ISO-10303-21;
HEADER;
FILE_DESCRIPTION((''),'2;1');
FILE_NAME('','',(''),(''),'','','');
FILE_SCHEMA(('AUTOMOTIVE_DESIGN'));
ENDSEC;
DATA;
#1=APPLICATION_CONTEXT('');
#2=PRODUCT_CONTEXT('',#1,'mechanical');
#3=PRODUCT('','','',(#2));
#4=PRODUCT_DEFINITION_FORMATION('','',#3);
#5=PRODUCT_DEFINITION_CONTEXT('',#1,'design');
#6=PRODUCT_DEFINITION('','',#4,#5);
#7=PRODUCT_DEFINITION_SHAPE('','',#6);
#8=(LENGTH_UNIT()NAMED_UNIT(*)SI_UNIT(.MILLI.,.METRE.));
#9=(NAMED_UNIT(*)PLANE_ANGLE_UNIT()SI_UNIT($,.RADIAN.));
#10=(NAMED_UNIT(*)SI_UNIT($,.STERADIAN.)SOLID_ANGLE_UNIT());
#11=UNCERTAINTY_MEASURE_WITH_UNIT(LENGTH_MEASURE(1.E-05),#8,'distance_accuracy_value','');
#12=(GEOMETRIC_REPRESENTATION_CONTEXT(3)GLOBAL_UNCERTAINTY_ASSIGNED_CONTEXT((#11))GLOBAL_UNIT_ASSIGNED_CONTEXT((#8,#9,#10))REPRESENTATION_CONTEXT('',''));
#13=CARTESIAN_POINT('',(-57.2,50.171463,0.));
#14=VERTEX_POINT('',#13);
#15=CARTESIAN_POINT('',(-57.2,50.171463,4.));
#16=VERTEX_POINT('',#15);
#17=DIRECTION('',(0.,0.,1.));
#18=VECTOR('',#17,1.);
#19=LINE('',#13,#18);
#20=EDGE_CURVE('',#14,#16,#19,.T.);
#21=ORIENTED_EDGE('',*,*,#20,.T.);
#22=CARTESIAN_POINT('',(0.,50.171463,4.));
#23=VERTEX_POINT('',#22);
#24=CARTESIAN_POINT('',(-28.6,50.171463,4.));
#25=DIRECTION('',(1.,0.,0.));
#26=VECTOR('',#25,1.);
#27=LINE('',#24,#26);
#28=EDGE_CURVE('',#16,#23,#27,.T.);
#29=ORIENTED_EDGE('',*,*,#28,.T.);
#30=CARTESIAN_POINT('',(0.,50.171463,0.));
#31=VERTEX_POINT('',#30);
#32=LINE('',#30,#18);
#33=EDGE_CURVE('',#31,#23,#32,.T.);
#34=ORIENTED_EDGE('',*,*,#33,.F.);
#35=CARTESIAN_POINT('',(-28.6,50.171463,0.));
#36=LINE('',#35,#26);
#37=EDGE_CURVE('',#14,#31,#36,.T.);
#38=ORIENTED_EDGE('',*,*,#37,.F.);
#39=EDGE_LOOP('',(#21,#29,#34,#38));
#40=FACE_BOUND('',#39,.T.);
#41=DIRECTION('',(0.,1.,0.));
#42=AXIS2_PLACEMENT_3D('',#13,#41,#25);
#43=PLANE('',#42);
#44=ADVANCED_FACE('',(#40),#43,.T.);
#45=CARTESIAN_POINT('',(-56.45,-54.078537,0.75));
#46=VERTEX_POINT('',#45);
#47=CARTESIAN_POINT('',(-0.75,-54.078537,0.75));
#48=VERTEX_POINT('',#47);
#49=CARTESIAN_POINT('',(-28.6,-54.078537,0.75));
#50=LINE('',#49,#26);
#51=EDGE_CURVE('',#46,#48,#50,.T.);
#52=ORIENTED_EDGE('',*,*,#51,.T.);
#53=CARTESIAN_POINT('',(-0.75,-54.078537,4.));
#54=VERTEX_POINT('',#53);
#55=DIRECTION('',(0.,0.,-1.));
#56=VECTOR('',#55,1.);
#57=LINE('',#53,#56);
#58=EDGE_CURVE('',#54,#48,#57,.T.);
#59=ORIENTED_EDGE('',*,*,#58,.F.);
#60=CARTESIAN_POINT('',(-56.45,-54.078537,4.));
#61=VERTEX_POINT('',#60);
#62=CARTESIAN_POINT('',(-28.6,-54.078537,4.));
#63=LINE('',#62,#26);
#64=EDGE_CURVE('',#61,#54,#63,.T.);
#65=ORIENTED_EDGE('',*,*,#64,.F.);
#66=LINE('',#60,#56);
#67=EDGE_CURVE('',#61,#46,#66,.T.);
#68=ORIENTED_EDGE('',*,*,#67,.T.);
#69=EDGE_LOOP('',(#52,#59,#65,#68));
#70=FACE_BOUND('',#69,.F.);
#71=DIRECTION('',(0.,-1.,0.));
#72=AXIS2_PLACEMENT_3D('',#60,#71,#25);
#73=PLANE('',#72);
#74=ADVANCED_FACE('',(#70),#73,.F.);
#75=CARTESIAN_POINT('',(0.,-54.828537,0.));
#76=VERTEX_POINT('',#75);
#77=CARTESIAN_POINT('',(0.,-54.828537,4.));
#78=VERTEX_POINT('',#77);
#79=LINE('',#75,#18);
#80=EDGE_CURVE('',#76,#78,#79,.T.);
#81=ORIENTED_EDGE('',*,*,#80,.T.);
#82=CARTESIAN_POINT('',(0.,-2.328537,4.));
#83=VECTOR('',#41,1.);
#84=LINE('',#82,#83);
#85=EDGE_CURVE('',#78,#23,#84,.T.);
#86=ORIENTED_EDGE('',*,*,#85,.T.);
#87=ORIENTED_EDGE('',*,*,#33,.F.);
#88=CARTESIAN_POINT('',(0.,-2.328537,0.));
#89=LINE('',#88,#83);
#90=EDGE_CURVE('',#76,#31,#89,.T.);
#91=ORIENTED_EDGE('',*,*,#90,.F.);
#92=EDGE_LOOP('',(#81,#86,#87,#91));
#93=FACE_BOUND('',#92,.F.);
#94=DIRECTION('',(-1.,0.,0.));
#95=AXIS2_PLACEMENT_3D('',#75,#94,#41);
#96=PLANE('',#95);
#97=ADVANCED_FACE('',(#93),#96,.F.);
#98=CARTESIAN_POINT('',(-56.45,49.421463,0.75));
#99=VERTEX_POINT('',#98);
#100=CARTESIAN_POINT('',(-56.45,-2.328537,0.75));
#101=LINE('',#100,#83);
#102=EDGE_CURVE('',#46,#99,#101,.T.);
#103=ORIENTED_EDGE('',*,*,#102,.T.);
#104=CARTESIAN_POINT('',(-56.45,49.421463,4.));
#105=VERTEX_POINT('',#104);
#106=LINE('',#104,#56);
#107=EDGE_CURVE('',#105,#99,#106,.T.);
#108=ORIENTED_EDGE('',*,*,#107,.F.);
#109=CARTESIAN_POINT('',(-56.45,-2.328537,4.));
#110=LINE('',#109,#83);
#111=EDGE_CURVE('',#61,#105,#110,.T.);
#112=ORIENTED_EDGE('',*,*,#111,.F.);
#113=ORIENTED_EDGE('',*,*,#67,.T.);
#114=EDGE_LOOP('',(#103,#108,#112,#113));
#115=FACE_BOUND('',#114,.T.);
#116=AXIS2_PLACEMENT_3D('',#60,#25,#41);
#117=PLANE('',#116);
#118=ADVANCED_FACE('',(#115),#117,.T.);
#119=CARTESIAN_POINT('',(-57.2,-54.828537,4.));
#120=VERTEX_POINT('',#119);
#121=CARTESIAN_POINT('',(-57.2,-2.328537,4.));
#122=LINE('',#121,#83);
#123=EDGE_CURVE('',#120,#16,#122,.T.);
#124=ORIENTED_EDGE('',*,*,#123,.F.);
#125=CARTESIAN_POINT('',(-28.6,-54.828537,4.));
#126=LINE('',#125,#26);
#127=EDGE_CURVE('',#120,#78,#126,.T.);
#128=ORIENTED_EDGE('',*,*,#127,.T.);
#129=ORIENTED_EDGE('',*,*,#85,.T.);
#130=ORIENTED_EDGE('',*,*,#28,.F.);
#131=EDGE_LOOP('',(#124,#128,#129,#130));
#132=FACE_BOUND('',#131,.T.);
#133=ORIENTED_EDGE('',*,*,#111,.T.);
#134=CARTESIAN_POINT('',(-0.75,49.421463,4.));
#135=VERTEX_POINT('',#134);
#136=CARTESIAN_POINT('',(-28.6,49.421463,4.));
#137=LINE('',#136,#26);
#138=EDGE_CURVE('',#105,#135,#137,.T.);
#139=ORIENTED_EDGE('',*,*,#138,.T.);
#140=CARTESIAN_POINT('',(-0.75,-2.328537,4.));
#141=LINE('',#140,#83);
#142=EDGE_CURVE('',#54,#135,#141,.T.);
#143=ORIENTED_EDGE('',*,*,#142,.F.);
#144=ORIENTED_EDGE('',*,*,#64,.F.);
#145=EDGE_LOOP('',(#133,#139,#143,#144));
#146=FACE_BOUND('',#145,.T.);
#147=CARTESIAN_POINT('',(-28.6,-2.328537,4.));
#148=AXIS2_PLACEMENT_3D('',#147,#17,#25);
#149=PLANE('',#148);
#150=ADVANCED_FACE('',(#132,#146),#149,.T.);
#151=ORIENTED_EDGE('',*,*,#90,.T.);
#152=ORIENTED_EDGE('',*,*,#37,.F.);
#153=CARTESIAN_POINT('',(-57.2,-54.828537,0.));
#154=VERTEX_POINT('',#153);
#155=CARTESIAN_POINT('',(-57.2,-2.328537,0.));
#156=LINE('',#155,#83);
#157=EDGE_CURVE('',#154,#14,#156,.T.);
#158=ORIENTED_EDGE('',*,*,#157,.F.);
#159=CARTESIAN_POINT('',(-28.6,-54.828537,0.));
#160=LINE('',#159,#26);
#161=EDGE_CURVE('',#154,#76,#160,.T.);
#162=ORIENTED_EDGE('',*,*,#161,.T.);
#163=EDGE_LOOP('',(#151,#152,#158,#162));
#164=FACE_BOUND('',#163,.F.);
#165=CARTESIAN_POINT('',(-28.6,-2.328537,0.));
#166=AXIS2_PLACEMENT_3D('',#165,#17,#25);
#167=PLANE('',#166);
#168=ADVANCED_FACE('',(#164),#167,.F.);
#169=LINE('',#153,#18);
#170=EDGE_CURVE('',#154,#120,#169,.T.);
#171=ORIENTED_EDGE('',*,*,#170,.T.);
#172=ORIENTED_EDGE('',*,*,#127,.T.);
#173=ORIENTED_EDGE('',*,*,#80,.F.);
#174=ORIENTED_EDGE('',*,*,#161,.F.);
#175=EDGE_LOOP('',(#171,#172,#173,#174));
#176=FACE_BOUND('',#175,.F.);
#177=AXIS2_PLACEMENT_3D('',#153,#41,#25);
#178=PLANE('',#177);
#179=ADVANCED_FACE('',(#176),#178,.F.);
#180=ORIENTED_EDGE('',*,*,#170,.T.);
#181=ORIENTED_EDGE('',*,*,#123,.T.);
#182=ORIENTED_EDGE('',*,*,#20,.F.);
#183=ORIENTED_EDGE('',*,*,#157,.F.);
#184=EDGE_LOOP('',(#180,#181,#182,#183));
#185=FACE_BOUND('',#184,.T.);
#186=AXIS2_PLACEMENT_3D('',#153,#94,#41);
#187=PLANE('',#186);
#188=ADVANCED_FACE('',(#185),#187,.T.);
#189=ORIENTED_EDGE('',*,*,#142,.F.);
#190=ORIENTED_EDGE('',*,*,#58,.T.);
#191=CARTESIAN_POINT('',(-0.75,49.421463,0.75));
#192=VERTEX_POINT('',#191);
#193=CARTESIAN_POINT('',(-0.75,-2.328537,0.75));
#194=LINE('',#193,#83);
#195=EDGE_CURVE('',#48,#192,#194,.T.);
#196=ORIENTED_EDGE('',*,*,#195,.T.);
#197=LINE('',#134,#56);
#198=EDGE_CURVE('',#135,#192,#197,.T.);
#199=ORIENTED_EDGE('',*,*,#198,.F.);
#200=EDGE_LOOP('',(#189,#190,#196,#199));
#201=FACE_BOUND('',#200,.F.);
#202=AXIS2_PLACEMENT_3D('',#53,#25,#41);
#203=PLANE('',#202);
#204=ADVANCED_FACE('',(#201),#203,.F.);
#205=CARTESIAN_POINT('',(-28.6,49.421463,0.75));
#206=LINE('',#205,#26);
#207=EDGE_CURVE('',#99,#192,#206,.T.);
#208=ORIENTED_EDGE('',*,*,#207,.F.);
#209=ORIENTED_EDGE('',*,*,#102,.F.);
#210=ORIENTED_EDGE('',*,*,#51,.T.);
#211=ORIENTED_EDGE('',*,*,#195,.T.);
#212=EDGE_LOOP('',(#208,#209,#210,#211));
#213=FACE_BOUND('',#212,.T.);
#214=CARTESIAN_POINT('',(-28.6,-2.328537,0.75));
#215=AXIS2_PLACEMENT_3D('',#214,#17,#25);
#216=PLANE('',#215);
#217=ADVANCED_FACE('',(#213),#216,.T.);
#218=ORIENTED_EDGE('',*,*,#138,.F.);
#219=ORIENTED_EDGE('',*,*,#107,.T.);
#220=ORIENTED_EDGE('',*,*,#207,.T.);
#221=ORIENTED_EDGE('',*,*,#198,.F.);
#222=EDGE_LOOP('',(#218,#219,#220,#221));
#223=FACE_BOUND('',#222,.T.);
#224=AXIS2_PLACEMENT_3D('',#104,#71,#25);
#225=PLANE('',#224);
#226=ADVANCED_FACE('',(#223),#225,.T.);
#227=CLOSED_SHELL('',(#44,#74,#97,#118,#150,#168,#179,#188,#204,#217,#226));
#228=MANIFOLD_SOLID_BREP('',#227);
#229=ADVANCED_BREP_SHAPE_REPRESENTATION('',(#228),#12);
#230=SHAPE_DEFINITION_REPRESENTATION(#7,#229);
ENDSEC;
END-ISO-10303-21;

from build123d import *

# Parameters (mm, degrees)
F0_W     = 57.2
F0_H     = 105
F1_DEPTH = 4
F2_W     = 55.7
F2_H     = 103.5
F3_DEPTH = 3.25


with BuildPart() as f1:
    # F0 (on Top) → F1 (new body)
    with BuildSketch(Plane.XY):
        with Locations((-28.6, -2.328537)):
            Rectangle(F0_W, F0_H)
    extrude(amount=F1_DEPTH)

    # F2 (on face) → F3 (cut)
    with BuildSketch(Plane.XY.offset(4)):
        with Locations((-28.6, -2.328537)):
            Rectangle(F2_W, F2_H)
    extrude(amount=-F3_DEPTH, mode=Mode.SUBTRACT)


solid = f1.part
